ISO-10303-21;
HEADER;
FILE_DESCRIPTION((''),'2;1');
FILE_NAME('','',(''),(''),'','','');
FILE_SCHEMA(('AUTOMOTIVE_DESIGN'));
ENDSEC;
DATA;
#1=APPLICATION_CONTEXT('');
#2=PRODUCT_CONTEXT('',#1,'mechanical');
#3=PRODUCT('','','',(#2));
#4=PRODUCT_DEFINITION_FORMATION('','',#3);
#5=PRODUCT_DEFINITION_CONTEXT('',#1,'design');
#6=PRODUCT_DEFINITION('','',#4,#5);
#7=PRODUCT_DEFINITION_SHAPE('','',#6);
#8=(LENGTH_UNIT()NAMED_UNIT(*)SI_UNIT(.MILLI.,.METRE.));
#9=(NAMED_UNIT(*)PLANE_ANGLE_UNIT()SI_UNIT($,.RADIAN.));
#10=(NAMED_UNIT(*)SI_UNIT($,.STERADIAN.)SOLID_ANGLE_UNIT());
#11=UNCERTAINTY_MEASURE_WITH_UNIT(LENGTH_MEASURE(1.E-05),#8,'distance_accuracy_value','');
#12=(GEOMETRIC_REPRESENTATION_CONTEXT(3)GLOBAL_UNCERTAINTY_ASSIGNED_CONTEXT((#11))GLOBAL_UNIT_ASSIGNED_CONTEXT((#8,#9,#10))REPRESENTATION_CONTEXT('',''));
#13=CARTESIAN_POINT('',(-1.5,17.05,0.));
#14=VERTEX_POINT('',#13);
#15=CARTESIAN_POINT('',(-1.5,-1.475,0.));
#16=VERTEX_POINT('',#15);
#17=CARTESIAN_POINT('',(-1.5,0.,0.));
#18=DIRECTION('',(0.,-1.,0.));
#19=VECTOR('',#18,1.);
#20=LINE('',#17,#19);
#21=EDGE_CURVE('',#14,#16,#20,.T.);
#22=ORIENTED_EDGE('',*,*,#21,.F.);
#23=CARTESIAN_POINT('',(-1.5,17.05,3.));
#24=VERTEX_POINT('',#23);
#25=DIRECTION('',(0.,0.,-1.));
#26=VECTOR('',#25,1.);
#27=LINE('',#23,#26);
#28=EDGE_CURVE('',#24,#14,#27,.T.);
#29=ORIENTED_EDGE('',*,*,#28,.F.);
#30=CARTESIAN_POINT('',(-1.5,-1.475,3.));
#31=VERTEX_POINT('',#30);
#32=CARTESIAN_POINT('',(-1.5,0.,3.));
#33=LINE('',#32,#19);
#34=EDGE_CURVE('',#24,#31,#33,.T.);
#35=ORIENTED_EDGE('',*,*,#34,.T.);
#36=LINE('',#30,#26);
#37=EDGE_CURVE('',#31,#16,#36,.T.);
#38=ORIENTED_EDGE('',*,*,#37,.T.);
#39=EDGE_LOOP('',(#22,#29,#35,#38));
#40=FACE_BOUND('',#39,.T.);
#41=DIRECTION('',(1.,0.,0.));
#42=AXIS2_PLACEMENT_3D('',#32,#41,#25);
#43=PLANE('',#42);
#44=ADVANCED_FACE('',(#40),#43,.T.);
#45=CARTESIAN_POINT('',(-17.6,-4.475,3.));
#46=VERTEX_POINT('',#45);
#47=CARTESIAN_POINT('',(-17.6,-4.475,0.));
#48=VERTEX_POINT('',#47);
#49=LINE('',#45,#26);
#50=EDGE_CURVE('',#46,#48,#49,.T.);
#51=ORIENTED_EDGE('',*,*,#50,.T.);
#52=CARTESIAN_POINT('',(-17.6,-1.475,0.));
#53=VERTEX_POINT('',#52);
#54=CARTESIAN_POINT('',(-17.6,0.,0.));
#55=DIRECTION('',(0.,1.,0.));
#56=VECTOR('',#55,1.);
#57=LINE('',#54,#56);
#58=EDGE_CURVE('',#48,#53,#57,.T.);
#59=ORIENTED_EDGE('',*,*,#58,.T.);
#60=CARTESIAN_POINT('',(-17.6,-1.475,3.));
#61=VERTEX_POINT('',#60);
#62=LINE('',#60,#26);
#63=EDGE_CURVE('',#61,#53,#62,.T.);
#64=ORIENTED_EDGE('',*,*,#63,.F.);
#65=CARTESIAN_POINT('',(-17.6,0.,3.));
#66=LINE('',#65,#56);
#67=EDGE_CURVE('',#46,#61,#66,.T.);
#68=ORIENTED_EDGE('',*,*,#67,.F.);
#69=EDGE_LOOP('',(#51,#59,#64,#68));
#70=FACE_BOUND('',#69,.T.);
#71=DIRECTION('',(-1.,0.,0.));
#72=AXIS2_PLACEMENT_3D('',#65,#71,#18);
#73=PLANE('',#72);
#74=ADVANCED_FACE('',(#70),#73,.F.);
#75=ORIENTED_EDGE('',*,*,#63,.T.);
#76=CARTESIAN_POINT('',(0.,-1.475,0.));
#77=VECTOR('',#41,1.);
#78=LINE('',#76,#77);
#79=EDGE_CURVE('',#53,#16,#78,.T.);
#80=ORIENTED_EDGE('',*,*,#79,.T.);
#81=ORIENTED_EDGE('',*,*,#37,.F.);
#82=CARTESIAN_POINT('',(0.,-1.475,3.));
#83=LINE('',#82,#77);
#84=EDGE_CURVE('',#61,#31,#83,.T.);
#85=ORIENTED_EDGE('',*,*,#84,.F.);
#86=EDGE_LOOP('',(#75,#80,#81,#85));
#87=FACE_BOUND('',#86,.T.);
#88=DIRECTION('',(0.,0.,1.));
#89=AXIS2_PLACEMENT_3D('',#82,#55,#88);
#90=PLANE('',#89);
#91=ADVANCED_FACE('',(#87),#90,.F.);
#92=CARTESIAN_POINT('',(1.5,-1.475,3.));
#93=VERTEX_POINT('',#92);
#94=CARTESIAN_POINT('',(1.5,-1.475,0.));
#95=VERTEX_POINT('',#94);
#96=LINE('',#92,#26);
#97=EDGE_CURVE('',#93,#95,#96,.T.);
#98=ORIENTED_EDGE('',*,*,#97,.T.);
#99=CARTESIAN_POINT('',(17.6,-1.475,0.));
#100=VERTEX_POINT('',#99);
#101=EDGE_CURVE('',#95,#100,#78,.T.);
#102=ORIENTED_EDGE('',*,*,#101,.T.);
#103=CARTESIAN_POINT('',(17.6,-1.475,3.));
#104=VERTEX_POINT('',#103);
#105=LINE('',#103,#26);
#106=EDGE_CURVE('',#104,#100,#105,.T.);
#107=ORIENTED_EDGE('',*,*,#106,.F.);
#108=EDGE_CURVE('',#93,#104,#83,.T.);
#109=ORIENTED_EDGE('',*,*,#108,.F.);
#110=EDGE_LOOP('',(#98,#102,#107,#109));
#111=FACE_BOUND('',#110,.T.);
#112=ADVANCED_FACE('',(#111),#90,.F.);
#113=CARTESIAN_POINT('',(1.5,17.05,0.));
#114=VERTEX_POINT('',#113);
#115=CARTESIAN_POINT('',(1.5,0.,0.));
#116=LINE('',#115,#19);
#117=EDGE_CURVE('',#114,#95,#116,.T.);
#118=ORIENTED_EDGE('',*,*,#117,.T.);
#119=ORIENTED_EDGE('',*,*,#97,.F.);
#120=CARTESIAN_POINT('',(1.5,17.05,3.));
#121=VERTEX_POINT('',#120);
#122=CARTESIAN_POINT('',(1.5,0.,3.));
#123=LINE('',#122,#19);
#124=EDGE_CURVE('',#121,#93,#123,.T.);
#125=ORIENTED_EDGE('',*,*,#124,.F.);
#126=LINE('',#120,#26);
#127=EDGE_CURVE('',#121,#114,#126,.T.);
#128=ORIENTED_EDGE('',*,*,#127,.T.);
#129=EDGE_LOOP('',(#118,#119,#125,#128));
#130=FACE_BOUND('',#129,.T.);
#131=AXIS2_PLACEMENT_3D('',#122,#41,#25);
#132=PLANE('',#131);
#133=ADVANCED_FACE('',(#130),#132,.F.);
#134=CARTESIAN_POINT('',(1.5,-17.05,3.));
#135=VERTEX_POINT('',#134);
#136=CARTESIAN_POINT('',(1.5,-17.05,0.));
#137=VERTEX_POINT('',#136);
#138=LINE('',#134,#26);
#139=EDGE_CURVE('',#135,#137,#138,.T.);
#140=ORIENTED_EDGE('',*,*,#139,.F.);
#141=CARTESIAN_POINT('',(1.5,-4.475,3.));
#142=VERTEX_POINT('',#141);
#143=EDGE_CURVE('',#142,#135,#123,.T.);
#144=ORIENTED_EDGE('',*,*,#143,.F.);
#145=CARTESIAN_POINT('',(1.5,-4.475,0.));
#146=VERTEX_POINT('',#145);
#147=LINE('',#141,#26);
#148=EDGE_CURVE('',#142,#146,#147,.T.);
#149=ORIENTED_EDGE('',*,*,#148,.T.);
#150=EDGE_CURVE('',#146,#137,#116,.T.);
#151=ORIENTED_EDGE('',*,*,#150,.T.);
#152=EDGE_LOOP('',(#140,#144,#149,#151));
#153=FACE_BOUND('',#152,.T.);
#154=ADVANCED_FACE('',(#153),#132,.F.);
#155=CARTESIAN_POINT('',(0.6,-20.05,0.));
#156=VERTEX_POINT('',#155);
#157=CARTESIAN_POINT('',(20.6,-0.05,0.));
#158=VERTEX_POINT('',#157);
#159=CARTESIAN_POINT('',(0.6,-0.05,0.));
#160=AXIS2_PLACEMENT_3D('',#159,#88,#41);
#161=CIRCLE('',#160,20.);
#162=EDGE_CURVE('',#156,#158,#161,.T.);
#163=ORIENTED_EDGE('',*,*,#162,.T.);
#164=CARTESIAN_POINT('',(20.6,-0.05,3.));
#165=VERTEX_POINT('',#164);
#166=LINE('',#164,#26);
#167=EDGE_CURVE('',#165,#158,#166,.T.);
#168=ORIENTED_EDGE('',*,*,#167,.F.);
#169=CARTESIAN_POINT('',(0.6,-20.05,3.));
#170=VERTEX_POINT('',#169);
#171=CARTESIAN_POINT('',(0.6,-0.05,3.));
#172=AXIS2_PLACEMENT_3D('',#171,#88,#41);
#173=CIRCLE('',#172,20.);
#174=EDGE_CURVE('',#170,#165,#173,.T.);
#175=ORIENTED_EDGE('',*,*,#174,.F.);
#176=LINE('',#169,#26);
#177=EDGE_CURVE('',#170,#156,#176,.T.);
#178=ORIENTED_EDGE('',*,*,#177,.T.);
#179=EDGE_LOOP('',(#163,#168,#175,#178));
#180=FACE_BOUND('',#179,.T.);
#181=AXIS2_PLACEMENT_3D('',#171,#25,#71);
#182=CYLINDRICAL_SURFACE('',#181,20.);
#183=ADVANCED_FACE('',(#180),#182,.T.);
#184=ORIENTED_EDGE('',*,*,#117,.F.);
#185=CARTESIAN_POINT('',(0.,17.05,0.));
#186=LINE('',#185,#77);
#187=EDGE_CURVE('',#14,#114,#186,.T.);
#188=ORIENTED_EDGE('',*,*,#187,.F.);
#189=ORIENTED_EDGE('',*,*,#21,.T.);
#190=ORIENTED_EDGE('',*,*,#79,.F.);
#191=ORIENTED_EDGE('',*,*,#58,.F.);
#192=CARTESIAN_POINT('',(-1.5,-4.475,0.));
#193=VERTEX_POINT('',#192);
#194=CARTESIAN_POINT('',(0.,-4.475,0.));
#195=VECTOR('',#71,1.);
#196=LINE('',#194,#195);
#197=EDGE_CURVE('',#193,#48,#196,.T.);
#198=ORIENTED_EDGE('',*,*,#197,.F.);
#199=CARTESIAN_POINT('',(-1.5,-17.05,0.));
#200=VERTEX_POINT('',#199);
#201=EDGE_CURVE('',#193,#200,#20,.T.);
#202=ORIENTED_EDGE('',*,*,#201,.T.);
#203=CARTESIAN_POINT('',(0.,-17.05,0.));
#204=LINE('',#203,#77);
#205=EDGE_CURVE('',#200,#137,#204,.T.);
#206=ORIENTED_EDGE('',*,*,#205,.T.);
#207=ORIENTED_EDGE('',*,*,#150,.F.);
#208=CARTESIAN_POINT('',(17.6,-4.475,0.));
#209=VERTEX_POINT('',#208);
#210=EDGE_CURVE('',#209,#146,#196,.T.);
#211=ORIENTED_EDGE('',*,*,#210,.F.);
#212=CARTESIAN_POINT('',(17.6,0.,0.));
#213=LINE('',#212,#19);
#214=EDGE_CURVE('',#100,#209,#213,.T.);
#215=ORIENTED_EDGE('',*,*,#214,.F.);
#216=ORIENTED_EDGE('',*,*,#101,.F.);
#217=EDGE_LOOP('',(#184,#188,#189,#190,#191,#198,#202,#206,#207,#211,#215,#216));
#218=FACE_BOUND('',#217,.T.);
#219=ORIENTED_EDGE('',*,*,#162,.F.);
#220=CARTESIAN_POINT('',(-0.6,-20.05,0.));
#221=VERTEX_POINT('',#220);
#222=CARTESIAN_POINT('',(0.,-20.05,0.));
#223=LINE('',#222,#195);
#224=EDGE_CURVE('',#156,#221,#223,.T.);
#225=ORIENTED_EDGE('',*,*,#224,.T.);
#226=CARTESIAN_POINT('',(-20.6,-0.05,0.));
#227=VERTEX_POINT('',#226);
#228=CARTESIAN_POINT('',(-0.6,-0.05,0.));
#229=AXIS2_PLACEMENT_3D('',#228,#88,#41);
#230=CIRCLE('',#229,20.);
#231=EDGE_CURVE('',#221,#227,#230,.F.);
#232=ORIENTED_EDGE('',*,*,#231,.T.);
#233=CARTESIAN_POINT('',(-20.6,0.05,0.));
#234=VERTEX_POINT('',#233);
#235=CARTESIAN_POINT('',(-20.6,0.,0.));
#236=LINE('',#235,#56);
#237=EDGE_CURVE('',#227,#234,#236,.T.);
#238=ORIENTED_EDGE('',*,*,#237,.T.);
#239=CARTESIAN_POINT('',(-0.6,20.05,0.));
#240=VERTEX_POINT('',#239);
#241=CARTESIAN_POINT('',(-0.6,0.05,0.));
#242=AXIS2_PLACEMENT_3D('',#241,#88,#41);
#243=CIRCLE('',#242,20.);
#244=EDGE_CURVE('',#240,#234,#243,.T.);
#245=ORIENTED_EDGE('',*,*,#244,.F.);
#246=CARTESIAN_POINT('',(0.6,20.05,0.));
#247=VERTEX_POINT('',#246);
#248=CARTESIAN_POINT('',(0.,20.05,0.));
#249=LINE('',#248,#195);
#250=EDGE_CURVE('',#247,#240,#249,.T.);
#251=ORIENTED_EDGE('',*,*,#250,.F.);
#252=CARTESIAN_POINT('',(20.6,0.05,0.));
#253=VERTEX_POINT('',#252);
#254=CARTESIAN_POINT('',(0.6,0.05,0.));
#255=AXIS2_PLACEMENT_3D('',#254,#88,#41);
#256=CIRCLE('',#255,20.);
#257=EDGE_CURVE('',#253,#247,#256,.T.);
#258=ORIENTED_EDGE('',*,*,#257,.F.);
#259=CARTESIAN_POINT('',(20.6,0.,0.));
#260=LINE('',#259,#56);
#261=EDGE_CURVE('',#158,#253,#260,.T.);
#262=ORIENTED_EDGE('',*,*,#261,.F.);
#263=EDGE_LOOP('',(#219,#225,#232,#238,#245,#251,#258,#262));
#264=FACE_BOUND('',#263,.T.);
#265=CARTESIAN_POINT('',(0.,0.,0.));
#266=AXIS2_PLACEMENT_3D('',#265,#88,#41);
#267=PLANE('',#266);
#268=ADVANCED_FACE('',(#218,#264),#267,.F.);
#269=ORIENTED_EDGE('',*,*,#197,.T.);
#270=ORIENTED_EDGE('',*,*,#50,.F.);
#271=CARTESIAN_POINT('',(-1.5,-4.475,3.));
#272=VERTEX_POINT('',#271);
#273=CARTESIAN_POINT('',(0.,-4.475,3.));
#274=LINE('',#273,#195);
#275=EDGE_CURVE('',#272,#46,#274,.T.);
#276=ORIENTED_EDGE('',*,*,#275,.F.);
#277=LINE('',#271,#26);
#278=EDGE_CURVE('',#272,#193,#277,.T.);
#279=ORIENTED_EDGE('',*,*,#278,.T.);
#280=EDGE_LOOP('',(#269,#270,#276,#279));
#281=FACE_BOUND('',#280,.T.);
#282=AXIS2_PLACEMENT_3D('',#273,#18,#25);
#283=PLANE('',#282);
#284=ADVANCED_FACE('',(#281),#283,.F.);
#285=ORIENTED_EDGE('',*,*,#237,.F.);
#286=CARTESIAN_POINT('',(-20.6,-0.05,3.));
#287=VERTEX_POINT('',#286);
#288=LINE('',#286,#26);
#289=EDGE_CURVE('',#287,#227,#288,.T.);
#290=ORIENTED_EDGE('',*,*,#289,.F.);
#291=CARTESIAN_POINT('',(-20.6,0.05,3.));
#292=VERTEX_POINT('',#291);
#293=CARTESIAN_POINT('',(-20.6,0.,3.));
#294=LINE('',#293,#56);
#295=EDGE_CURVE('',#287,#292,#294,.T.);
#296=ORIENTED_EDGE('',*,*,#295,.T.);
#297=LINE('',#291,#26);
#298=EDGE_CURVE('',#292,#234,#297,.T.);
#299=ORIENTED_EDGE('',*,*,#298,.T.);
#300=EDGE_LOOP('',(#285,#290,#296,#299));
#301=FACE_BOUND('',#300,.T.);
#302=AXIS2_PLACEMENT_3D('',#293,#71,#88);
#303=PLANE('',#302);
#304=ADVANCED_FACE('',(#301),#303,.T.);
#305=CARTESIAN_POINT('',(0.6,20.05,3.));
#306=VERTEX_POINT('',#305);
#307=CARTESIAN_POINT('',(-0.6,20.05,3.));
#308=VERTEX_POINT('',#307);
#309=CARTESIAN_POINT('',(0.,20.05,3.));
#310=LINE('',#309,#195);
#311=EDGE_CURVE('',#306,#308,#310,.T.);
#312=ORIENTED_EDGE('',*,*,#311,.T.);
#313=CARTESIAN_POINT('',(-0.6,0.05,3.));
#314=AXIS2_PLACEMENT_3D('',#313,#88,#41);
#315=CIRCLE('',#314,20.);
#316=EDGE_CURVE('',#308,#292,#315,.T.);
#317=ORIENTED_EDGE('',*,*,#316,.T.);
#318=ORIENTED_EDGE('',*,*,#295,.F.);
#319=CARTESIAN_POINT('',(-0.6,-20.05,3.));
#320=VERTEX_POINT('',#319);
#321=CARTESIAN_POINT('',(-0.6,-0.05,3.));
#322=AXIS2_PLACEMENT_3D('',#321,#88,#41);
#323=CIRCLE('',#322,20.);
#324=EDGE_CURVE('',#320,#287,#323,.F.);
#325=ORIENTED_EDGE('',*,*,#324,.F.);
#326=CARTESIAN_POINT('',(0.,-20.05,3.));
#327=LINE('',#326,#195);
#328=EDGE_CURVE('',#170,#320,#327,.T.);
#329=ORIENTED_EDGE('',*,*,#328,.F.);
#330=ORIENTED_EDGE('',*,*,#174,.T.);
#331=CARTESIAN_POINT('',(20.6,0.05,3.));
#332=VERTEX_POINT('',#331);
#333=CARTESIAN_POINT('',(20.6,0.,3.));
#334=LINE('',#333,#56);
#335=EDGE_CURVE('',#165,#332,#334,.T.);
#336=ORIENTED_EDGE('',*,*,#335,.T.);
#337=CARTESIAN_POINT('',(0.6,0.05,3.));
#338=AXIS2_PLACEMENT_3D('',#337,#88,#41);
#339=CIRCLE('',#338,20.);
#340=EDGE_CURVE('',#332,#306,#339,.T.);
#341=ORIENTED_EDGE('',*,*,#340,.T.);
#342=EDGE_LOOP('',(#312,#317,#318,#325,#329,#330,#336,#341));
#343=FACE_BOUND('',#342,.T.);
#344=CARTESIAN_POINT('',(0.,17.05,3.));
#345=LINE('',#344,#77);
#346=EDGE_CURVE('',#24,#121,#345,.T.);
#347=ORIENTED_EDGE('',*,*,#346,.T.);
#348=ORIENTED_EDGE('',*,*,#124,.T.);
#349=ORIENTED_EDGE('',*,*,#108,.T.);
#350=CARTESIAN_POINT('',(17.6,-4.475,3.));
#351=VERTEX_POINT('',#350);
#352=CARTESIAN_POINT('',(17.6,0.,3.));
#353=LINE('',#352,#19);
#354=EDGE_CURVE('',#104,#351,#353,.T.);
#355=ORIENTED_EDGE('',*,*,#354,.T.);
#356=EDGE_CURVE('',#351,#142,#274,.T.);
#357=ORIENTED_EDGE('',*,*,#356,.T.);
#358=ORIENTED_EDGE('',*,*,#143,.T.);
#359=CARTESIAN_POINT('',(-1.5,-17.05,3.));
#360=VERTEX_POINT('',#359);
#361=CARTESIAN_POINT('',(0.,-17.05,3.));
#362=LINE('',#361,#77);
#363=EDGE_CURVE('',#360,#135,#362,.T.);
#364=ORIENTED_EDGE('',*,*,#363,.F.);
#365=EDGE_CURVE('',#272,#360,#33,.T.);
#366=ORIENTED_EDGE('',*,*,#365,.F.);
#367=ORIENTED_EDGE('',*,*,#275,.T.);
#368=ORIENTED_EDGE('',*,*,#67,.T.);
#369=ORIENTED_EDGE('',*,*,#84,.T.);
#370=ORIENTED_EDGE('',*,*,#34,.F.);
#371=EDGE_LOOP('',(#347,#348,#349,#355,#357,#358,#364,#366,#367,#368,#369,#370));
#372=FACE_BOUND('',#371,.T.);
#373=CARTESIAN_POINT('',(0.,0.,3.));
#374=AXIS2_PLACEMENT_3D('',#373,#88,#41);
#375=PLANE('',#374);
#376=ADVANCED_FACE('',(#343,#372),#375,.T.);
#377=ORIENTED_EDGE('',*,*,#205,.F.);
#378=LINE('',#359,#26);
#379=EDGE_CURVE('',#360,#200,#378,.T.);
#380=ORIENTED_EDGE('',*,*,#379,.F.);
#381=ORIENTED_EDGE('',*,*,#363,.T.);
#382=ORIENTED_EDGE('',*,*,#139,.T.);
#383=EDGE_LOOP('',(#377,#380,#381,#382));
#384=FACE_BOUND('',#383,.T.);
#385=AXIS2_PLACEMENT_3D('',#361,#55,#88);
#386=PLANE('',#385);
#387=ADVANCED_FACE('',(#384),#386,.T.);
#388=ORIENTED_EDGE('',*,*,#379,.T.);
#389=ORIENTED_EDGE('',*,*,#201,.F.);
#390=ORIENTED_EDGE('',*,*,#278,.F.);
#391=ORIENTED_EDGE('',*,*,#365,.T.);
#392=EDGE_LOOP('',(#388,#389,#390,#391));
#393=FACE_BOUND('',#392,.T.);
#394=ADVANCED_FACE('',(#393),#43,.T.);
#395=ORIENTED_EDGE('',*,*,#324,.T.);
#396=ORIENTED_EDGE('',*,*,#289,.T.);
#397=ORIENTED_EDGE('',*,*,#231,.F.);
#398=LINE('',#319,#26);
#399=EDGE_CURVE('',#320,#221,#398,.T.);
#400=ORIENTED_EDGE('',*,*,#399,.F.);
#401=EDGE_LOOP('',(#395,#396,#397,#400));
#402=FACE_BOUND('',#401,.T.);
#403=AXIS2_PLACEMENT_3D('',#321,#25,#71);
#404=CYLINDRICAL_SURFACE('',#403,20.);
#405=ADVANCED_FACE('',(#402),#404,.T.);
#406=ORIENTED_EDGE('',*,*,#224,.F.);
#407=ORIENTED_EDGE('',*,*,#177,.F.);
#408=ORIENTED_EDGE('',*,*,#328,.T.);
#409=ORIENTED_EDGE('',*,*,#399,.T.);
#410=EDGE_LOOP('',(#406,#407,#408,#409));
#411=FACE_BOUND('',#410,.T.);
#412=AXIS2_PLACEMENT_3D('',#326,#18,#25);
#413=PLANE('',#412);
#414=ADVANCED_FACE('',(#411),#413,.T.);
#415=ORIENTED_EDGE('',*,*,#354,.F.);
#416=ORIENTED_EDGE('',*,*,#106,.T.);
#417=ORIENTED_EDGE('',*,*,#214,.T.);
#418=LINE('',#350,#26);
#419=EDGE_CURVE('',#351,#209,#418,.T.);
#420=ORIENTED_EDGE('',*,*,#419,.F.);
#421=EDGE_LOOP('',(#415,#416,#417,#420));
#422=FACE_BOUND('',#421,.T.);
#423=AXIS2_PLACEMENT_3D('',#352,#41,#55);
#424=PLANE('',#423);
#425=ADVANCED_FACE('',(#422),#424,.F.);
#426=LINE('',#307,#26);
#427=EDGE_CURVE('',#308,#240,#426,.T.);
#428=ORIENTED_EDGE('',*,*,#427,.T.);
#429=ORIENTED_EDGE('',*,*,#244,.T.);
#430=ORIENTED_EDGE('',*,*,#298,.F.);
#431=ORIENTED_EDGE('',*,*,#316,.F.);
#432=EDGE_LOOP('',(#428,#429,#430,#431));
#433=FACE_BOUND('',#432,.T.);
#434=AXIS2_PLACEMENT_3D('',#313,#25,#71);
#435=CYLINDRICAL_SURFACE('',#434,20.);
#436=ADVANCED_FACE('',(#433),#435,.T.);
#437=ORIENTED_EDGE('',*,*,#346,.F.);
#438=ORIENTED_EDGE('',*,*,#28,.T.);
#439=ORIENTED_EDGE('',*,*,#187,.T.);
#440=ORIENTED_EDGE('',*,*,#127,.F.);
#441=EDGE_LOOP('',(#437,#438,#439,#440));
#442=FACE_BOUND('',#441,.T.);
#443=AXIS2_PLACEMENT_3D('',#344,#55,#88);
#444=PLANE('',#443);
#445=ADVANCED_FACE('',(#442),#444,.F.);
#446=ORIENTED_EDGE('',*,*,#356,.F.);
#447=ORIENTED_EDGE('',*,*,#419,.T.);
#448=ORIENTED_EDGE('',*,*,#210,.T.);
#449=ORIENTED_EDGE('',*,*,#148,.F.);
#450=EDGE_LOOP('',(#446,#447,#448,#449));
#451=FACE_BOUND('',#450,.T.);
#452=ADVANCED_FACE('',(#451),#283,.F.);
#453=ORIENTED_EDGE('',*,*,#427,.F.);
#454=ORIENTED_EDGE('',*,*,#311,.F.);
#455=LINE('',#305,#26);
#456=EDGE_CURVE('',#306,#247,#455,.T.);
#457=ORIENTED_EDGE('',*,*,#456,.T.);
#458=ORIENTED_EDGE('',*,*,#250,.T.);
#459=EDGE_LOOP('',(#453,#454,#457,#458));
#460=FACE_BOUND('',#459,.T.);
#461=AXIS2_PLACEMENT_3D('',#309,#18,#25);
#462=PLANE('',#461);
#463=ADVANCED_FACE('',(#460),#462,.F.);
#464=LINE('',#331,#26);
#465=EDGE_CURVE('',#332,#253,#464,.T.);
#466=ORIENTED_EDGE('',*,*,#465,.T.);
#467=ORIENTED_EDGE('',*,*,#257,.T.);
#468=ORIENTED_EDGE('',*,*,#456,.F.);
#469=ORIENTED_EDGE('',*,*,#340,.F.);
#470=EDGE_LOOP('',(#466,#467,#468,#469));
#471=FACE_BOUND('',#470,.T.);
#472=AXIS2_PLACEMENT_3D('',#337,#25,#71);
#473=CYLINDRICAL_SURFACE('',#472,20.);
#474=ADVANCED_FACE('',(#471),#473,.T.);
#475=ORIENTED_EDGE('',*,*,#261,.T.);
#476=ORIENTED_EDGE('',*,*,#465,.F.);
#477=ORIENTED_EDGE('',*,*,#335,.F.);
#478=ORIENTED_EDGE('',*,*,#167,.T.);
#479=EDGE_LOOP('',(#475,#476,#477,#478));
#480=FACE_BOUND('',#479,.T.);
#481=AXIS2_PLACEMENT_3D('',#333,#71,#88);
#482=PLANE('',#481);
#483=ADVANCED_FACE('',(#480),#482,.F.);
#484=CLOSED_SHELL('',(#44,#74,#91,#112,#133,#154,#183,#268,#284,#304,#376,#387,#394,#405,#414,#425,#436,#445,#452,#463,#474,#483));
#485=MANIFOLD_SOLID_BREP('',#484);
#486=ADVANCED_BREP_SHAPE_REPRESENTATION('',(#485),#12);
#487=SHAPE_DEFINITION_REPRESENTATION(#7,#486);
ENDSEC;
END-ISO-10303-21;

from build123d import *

# Parameters (mm, degrees)
SALIENTE_EXTRUIR1_DEPTH = 3


with BuildPart() as part:
    # Croquis1 → Saliente-Extruir1 (new body)
    with BuildSketch(Plane.XY):
        with BuildLine():
            Line((-0.6, -20.05), (0.6, -20.05))
            ThreePointArc((0.6, -20.05), (14.742135624, -14.192135624), (20.6, -0.05))
            Line((20.6, -0.05), (20.6, 0.05))
            ThreePointArc((20.6, 0.05), (14.742135624, 14.192135624), (0.6, 20.05))
            Line((0.6, 20.05), (-0.6, 20.05))
            ThreePointArc((-0.6, 20.05), (-14.742135624, 14.192135624), (-20.6, 0.05))
            Line((-20.6, 0.05), (-20.6, -0.05))
            ThreePointArc((-20.6, -0.05), (-14.742135624, -14.192135624), (-0.6, -20.05))
        make_face()
        Polygon((-17.6, -4.475), (-17.6, -1.475), (-1.5, -1.475), (-1.5, 17.05), (1.5, 17.05), (1.5, -1.475), (17.6, -1.475), (17.6, -4.475), (1.5, -4.475), (1.5, -17.05), (-1.5, -17.05), (-1.5, -4.475), align=None, mode=Mode.SUBTRACT)
    extrude(amount=SALIENTE_EXTRUIR1_DEPTH)


solid = part.part
